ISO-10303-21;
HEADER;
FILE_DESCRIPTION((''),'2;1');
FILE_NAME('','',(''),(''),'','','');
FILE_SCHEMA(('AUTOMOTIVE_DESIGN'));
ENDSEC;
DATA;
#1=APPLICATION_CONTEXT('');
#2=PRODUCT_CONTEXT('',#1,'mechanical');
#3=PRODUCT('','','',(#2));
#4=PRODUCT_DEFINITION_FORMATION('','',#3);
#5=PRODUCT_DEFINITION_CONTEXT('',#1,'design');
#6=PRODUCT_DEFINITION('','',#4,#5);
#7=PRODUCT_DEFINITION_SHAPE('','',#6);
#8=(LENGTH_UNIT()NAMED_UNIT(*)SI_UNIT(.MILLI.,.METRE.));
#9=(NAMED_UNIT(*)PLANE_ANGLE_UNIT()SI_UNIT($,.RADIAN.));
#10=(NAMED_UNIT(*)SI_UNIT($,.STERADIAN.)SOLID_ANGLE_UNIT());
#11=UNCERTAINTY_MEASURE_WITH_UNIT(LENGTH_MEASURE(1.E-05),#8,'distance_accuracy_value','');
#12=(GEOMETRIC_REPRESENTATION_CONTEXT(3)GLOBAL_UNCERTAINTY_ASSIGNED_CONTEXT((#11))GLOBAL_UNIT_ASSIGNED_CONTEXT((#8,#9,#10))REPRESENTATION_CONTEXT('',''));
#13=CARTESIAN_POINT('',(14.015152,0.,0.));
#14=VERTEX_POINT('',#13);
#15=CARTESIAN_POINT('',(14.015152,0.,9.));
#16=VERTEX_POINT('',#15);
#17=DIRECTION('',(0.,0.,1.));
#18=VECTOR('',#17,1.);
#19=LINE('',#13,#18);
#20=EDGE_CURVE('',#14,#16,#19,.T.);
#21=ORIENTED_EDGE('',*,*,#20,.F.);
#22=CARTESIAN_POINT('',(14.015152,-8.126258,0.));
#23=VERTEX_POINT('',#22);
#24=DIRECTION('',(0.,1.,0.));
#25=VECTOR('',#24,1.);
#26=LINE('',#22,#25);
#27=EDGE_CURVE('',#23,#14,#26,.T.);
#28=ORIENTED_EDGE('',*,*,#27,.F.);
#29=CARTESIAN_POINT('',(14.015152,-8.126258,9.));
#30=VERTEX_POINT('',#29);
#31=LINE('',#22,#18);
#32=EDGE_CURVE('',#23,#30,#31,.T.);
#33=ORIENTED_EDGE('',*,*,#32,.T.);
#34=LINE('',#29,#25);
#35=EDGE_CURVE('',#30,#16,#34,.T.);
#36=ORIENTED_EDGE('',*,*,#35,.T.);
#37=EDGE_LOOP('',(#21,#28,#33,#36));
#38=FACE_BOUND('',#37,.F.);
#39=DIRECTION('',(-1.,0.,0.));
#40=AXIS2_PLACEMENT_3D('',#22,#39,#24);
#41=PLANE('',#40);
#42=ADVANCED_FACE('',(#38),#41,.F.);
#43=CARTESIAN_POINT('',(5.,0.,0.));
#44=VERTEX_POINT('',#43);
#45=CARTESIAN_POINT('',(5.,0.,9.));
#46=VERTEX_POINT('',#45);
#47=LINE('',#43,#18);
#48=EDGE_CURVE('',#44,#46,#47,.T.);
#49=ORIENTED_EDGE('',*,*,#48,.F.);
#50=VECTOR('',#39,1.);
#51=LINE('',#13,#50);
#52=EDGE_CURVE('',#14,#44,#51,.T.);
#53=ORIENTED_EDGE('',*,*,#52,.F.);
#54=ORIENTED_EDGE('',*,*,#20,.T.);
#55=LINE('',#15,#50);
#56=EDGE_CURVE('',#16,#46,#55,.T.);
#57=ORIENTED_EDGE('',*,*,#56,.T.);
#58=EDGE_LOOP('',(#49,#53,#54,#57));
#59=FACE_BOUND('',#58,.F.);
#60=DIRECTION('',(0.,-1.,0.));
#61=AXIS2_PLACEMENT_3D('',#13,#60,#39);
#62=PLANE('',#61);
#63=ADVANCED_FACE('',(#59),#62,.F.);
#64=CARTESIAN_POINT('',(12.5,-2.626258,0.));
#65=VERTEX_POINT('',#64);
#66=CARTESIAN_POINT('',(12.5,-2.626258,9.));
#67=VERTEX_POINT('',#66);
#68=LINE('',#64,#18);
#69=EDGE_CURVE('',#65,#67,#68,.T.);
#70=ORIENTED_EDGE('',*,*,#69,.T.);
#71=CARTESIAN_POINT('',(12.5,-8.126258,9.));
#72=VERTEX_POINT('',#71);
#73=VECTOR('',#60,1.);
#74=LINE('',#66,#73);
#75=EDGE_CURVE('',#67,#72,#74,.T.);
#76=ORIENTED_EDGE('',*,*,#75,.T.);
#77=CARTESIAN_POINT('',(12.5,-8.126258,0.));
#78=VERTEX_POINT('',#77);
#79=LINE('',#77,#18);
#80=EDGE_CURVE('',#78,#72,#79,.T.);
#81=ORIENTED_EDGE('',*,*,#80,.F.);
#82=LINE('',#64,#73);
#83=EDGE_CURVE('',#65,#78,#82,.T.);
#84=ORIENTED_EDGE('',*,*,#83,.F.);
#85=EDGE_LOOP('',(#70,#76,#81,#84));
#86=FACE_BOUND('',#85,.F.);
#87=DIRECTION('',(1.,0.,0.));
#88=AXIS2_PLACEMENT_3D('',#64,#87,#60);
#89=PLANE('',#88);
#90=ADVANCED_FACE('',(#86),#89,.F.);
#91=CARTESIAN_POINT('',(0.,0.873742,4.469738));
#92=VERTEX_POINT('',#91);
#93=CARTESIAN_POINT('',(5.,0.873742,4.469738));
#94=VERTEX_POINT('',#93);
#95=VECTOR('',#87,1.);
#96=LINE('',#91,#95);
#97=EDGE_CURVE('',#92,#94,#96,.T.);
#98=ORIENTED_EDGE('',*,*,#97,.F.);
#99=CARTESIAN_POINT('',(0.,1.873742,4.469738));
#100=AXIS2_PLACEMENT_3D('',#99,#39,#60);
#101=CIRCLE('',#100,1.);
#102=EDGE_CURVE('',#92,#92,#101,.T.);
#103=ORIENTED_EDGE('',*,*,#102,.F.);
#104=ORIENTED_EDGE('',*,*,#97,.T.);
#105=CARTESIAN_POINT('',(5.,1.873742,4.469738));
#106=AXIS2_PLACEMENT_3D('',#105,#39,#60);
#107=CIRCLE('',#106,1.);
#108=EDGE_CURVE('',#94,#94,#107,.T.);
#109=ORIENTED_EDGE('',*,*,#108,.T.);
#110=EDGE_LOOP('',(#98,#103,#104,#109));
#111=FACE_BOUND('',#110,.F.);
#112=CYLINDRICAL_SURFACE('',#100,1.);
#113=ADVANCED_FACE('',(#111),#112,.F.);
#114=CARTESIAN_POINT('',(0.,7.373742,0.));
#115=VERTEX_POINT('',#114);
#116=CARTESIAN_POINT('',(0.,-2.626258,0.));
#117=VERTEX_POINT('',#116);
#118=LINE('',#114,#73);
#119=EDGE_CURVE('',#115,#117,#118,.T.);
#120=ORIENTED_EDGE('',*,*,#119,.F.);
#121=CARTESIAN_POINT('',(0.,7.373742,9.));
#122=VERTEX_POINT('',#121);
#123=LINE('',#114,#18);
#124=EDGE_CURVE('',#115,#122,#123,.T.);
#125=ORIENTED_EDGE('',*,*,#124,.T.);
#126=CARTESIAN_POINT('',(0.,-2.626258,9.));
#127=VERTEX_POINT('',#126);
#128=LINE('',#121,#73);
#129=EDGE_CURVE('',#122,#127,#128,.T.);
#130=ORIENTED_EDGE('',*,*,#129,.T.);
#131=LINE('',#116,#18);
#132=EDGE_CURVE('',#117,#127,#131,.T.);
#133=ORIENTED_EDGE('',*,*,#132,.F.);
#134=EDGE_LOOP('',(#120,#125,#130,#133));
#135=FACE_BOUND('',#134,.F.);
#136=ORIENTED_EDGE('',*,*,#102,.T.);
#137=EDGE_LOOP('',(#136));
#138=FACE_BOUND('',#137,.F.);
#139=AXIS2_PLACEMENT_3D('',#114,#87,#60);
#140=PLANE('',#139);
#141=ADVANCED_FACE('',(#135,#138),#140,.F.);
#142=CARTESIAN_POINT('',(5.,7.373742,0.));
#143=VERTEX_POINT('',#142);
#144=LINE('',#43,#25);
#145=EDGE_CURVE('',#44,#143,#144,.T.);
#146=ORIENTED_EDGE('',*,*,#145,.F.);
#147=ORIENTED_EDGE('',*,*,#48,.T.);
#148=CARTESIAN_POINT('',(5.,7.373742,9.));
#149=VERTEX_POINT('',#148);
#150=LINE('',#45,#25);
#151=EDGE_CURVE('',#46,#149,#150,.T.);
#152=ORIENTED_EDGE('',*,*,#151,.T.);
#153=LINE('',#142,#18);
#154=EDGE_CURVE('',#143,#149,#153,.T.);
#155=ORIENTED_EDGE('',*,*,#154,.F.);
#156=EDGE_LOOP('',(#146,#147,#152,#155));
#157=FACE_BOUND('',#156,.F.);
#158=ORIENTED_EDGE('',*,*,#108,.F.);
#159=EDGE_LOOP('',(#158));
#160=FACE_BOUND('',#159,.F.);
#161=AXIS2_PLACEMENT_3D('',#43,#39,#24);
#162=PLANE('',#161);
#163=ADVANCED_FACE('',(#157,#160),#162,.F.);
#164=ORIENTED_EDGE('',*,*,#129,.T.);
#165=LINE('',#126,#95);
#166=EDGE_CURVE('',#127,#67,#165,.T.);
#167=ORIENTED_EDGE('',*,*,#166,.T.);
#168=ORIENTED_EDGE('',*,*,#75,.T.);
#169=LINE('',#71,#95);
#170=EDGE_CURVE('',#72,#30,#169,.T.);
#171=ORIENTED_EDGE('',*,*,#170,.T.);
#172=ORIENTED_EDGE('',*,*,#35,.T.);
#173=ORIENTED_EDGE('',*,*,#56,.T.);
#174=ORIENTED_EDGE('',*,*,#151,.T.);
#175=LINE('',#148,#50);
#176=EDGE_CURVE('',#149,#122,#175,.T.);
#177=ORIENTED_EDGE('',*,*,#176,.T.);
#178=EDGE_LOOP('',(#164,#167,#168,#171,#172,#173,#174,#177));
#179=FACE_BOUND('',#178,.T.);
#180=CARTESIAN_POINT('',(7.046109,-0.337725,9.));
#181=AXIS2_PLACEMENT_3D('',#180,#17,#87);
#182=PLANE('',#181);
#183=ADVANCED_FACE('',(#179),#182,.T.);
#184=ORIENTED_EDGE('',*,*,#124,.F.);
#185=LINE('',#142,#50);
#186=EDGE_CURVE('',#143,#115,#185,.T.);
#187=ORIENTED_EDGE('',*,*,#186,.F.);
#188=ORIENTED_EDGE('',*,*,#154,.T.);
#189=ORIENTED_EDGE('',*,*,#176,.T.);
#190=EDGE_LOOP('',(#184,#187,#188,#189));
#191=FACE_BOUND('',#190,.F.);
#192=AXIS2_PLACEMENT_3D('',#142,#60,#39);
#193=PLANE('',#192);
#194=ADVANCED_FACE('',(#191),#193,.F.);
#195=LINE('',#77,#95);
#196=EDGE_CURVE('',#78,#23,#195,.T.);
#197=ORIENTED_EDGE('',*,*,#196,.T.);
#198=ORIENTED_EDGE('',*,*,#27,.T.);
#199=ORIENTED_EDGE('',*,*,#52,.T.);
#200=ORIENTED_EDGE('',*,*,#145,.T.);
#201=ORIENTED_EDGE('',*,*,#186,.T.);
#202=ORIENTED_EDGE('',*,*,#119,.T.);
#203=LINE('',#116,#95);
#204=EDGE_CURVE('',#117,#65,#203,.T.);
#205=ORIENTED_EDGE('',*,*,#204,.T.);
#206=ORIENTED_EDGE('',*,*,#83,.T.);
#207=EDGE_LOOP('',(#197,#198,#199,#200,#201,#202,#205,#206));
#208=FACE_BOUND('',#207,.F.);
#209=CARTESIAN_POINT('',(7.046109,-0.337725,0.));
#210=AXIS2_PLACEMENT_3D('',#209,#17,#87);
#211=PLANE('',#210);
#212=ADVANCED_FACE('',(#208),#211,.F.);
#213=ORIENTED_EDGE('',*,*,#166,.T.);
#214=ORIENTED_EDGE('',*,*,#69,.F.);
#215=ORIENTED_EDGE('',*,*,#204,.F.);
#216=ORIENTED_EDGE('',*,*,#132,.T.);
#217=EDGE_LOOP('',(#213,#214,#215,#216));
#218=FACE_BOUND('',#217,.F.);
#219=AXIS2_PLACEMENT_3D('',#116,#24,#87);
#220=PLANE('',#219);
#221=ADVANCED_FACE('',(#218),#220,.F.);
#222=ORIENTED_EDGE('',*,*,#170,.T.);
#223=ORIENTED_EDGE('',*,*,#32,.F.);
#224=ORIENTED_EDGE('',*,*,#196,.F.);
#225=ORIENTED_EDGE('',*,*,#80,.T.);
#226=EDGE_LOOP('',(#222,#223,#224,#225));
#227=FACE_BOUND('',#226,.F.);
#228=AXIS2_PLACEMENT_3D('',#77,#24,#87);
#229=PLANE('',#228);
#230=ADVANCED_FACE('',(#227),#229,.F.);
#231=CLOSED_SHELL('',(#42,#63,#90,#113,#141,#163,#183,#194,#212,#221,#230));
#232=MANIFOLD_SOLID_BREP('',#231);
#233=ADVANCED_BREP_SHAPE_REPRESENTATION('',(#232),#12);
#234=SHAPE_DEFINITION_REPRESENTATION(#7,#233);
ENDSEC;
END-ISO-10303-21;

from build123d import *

# Parameters (mm, degrees)
F1_DEPTH = 9
F2_R     = 1
F3_DEPTH = 25


with BuildPart() as f1:
    # F0 (on Top) → F1 (new body)
    with BuildSketch(Plane.XY):
        Polygon((5, 7.373742), (0, 7.373742), (0, -2.626258), (12.5, -2.626258), (12.5, -8.126258), (14.015152, -8.126258), (14.015152, -2.626258), (14.015152, 0), (5, 0), align=None)
    extrude(amount=F1_DEPTH)

    # F2 (on face) → F3 (cut)
    with BuildSketch(Plane(origin=(0, 0, 0), x_dir=(0, -1, 0), z_dir=(-1, 0, 0))):
        with Locations((-1.873742, 4.469738)):
            Circle(F2_R)
    extrude(amount=-F3_DEPTH, mode=Mode.SUBTRACT)


solid = f1.part
